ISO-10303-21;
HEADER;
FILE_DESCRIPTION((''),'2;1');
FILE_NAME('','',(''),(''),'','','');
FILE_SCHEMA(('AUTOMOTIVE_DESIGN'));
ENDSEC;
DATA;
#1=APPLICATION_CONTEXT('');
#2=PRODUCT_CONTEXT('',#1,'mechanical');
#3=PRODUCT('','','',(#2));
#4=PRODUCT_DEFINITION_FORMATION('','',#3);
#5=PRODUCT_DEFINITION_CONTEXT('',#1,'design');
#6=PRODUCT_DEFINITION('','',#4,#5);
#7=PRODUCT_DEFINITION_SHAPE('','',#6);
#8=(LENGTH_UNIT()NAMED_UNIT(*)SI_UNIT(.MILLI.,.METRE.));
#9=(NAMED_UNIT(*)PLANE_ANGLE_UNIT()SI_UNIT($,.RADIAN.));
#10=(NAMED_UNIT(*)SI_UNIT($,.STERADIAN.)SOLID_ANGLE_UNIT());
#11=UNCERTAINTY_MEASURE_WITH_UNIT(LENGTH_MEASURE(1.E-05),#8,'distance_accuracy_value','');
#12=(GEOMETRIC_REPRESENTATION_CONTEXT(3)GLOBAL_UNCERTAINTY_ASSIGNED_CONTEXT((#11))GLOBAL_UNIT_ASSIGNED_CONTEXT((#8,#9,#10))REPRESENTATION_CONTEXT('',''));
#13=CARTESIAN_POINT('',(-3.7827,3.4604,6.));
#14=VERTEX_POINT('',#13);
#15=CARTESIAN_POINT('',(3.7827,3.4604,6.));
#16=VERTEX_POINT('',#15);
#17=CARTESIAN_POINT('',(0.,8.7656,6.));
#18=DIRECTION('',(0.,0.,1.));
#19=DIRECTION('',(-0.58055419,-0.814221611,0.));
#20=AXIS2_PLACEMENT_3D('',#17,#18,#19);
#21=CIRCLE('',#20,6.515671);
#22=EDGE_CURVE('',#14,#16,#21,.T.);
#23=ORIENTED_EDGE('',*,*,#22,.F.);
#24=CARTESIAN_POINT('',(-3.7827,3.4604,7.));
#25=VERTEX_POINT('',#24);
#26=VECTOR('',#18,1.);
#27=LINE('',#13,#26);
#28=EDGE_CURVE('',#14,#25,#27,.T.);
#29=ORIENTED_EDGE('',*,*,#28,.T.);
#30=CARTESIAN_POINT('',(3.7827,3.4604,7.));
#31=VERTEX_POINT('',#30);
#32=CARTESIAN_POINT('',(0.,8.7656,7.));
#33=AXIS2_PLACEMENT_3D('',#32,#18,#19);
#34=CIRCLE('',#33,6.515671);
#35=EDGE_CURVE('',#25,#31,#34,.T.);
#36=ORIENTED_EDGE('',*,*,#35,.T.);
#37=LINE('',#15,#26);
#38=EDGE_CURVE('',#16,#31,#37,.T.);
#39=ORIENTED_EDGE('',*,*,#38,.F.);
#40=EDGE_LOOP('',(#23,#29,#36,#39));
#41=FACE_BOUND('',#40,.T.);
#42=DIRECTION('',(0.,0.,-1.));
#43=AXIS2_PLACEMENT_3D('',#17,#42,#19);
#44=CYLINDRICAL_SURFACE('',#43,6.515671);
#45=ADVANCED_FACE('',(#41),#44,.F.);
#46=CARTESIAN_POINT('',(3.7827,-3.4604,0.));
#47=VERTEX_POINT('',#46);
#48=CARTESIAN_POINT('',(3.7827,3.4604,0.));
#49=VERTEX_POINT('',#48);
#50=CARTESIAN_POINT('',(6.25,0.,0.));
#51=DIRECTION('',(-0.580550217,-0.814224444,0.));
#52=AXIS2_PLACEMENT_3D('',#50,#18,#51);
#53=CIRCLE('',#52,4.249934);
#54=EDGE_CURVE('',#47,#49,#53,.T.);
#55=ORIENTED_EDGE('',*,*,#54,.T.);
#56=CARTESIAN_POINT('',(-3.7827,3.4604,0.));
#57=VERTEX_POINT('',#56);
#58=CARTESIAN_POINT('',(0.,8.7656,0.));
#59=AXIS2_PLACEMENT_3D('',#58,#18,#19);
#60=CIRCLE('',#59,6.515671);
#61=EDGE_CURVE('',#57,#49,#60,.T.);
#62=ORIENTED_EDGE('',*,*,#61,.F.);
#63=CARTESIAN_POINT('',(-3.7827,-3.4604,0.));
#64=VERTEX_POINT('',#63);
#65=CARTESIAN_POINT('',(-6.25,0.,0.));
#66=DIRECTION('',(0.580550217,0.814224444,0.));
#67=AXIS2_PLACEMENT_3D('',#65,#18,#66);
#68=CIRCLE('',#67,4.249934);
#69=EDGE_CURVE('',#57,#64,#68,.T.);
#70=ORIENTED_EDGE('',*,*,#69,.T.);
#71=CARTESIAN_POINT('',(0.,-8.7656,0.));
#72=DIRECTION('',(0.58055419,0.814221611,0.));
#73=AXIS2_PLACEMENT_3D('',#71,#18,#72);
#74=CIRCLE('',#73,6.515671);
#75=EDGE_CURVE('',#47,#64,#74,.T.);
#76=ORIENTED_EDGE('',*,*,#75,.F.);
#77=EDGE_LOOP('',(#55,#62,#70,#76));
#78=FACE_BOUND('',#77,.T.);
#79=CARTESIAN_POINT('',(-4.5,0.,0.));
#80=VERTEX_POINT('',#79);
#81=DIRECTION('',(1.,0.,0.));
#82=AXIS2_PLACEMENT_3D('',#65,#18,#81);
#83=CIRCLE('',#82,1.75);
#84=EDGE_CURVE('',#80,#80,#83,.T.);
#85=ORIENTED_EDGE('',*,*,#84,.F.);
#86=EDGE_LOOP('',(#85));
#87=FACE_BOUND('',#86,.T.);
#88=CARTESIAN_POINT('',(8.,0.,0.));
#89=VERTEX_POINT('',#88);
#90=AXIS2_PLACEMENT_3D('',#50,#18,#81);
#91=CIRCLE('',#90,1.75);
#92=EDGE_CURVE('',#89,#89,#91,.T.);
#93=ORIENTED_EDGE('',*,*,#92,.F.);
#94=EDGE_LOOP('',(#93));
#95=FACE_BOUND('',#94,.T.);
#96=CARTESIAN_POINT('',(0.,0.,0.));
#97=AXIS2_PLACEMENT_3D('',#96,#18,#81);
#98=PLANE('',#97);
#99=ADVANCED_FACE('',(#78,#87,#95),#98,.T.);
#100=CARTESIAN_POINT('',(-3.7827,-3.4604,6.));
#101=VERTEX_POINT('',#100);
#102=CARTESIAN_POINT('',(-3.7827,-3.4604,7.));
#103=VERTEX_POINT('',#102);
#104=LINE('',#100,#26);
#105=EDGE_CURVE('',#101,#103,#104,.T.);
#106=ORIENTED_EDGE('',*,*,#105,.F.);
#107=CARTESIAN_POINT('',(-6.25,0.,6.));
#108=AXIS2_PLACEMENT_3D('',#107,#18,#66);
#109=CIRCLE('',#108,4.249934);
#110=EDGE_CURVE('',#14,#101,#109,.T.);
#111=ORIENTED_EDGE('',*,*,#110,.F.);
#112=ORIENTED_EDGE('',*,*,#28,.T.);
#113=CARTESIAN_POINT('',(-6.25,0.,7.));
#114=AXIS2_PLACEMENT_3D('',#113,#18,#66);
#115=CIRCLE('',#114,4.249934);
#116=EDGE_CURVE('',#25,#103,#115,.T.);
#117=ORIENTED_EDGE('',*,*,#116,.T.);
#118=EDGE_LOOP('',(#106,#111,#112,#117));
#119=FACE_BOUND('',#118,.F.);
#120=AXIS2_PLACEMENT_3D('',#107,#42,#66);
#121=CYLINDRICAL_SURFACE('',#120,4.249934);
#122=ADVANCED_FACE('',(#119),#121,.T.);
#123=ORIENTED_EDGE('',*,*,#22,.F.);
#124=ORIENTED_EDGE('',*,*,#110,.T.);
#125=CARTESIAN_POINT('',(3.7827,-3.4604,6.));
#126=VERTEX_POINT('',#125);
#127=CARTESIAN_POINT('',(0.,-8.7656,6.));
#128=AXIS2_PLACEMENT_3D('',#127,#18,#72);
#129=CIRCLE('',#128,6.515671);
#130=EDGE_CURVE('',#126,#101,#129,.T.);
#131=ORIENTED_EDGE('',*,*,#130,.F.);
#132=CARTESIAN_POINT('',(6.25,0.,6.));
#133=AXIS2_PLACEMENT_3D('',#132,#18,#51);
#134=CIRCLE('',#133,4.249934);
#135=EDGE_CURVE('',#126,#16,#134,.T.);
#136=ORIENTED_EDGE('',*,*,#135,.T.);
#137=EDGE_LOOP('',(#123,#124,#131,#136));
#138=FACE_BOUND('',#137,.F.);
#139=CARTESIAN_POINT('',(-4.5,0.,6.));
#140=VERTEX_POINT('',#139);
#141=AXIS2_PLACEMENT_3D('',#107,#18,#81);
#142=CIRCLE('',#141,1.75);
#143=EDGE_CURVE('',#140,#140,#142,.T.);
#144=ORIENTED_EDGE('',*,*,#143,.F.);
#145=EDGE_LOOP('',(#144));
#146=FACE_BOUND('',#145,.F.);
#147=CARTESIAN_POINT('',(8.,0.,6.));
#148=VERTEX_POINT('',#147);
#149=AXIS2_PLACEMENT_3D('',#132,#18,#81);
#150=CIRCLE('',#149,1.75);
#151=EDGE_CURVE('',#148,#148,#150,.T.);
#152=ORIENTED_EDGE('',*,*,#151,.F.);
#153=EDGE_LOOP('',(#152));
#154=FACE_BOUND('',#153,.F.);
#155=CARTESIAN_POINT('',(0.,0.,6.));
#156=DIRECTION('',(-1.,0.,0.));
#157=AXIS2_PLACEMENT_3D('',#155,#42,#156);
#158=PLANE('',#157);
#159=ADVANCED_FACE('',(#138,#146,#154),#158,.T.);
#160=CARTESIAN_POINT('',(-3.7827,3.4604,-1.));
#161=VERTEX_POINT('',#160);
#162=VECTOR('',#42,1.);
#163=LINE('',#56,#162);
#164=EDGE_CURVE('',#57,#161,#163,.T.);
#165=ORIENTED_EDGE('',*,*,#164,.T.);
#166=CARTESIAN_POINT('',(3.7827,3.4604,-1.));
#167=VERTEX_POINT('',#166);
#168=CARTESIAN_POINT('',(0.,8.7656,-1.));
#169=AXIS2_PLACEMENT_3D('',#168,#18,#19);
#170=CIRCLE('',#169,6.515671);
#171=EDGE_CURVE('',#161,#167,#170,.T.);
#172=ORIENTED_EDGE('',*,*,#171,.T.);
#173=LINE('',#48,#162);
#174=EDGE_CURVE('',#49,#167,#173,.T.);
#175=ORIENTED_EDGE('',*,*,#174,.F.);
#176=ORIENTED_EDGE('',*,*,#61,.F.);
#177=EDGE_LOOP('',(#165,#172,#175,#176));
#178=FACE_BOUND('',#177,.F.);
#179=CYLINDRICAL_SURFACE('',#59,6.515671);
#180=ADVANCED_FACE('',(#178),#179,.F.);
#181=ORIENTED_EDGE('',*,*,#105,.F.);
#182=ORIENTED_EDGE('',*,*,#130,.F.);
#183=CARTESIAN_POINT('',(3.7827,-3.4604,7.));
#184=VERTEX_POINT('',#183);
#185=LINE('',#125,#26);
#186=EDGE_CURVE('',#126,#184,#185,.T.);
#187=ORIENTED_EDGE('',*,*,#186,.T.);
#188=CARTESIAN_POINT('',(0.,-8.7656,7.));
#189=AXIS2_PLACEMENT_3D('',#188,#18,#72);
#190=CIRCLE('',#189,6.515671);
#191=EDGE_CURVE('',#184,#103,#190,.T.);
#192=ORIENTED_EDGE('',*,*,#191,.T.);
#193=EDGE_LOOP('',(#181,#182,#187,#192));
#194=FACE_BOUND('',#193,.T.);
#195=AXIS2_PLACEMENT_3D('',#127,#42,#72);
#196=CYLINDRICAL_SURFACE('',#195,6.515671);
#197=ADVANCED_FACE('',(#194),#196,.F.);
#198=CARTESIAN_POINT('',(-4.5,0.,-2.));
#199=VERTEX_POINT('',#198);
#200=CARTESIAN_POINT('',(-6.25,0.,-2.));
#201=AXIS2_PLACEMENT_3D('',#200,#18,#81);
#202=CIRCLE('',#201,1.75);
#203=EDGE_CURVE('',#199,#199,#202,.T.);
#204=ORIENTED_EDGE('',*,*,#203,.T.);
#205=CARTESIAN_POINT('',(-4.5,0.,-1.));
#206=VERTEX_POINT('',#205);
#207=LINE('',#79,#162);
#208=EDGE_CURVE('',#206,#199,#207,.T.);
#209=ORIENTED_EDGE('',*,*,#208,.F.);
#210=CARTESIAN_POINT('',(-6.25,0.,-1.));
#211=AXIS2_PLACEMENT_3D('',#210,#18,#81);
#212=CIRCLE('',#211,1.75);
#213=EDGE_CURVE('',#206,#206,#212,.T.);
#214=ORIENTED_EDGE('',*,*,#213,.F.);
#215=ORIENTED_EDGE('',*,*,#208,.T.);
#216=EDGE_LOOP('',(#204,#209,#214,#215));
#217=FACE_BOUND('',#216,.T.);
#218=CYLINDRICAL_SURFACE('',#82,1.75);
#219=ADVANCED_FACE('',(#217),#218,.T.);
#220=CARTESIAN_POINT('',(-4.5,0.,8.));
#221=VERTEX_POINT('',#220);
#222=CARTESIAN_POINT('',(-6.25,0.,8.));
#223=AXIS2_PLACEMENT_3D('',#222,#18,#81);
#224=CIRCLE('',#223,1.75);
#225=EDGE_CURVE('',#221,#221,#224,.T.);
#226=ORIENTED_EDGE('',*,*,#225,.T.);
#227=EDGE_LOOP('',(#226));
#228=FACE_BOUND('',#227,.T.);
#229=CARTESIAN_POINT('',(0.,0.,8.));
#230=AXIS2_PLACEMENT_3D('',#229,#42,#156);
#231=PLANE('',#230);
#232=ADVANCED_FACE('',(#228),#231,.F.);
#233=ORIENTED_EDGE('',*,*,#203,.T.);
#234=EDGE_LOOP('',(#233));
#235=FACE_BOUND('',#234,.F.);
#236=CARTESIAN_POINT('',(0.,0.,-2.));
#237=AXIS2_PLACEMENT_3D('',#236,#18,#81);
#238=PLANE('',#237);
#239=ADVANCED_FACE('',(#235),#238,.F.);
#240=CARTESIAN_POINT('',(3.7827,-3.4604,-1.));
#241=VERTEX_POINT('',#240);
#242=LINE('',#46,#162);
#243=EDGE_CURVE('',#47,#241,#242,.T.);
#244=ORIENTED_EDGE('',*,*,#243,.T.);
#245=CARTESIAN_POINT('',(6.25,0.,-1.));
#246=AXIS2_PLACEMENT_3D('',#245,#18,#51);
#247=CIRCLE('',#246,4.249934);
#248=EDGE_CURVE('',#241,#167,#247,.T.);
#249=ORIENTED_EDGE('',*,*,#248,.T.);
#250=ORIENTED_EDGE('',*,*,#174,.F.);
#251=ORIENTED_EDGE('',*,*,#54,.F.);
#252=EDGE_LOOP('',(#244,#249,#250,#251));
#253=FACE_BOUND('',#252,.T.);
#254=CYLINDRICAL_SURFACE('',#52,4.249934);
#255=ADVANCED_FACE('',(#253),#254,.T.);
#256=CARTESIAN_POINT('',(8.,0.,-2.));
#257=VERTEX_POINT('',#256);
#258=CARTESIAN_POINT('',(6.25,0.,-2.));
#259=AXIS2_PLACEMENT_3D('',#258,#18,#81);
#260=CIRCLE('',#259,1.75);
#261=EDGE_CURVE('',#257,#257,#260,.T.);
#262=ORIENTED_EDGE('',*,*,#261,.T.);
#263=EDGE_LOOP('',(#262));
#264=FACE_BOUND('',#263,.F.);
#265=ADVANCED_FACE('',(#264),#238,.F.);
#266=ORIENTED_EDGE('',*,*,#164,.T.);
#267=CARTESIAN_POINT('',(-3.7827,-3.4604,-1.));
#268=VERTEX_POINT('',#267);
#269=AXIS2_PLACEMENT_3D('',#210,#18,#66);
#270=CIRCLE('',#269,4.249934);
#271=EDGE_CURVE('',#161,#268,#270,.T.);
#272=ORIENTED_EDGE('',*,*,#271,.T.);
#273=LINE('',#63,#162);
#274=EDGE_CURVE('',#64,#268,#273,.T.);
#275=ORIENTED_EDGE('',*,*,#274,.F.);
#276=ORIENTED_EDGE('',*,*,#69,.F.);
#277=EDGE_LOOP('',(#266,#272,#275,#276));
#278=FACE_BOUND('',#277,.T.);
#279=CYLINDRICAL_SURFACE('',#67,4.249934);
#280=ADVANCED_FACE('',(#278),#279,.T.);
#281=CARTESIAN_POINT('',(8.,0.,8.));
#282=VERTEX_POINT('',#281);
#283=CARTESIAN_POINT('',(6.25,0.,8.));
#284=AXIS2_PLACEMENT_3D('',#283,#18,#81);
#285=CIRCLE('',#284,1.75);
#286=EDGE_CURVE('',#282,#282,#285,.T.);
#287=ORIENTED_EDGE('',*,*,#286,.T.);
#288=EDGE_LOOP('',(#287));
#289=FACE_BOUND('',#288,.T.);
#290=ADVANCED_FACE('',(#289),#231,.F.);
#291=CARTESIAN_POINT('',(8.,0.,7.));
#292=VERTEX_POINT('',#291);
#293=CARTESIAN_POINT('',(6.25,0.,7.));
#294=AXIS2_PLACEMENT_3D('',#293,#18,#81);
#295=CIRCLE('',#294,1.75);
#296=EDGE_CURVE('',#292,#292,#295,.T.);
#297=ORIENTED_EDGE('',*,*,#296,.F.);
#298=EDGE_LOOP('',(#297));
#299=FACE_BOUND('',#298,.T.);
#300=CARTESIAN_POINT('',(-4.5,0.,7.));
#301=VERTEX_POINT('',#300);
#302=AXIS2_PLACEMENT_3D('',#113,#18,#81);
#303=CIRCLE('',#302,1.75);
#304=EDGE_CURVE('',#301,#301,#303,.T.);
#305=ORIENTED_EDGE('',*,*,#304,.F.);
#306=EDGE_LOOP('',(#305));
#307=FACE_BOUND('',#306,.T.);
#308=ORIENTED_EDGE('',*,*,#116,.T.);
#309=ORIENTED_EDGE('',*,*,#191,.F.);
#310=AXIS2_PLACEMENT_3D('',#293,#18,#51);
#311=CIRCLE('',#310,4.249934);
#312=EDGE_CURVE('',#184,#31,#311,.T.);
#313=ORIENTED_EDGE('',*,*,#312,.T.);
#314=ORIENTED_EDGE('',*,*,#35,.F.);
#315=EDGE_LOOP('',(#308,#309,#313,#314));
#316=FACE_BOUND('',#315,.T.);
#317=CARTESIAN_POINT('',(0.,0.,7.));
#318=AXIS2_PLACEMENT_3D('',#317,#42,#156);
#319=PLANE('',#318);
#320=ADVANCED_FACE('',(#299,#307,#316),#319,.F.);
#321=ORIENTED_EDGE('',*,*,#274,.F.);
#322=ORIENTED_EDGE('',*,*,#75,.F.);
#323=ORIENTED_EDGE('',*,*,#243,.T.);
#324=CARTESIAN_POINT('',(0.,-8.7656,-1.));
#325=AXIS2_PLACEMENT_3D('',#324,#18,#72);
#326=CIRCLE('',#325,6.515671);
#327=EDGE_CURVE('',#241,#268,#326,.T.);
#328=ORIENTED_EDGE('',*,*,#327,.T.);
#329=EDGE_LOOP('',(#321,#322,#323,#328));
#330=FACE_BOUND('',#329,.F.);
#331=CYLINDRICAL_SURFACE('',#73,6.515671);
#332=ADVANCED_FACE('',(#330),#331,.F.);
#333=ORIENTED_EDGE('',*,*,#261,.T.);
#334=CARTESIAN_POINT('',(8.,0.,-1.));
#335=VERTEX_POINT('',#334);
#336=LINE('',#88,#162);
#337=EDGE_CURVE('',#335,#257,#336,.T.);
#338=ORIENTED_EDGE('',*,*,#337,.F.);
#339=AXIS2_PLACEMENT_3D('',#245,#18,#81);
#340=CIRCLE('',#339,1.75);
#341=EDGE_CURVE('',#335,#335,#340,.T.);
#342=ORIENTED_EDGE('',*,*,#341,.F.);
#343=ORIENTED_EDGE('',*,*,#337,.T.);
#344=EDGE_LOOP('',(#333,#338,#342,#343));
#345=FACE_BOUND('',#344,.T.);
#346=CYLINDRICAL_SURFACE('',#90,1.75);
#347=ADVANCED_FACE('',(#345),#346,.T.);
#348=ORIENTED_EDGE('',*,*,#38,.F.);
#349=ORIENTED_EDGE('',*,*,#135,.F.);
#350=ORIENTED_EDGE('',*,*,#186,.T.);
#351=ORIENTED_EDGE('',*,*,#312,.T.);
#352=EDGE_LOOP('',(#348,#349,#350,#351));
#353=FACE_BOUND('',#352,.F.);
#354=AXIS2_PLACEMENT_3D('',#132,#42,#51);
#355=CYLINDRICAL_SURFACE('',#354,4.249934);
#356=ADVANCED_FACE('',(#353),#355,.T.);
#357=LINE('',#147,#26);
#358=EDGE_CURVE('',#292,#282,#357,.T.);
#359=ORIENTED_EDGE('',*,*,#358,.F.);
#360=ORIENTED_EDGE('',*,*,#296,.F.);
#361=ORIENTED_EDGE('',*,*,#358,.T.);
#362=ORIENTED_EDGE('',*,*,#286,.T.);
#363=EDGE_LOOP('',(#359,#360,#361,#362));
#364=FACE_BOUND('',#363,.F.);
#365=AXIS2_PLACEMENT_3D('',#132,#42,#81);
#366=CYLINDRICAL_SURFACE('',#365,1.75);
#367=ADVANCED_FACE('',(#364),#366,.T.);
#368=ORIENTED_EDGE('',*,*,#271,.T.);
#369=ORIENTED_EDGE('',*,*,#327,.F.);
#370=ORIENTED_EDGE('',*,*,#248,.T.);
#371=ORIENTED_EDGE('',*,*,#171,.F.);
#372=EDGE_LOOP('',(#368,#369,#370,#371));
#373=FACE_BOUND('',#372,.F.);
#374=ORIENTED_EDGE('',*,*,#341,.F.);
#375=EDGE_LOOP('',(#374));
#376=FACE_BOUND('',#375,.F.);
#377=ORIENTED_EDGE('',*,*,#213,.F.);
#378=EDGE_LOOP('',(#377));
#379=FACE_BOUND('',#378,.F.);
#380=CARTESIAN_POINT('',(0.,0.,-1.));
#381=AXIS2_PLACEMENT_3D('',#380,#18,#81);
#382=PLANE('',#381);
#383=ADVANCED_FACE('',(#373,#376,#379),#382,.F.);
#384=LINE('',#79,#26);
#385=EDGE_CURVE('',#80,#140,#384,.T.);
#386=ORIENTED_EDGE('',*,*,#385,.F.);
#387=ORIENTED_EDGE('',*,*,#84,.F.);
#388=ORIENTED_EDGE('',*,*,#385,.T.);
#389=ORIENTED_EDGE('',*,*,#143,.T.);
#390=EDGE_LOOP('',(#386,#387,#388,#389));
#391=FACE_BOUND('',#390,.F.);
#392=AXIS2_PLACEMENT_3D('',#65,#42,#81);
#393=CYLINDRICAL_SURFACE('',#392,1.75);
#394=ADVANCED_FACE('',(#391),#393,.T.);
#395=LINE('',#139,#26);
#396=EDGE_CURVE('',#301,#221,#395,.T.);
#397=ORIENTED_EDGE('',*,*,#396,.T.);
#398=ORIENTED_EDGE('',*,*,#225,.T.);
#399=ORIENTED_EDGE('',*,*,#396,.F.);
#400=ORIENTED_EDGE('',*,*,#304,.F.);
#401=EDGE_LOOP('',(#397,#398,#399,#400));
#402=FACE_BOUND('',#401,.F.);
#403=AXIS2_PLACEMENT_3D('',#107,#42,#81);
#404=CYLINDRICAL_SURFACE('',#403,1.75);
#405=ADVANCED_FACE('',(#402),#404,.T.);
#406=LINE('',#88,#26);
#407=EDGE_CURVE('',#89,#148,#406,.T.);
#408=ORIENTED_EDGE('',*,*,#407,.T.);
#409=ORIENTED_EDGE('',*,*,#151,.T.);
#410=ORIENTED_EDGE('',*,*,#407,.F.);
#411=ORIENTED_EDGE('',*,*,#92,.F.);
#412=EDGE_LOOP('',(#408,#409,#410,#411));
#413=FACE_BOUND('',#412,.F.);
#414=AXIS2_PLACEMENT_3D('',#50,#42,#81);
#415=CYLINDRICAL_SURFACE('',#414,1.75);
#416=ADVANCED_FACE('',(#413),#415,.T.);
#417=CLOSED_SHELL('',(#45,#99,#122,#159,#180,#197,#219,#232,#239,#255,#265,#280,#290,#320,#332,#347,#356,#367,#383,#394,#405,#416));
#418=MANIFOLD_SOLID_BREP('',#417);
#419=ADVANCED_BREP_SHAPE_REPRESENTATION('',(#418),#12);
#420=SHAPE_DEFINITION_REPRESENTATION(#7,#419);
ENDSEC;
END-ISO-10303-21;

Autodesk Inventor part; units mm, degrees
ref_plane "YZ Plane" through (0, 0, 0) normal (1, 0, 0) x (0, 1, 0)
sketch "Sketch1" plane through (0, 0, 0) normal (0, 0, 1) x (1, 0, 0)
  arc A0 (-3.7827, 3.4604) -> (-3.7827, -3.4604) centre (-6.25, 0) ccw
  arc A1 (-3.7827, 3.4604) -> (3.7827, 3.4604) centre (0, 8.7656) ccw
  arc A2 (3.7827, -3.4604) -> (-3.7827, -3.4604) centre (0, -8.7656) ccw
  arc A3 (3.7827, -3.4604) -> (3.7827, 3.4604) centre (6.25, 0) ccw
  line L0 (0, 0) -> (0, 4.5286) construction
  circle A4 centre (-6.25, 0) radius 1.75
  circle A5 centre (6.25, 0) radius 1.75
  point P0 (0, 2.25)
  point P1 (0, -2.25)
  dimension "d0" = 4.5
  dimension "d2" = 8.5
  dimension "d4" = 8.5
  dimension "d5" = 12.5
  dimension "d6" = 3.5
  dimension "d7" = 3.5
extrude "Extrusion1" add sketch "Sketch1" against normal blind 1
extrude "Extrusion2" add sketch "Sketch1" against normal blind 2 contours A4 | A5
extrude "Extrusion3" add sketch "Sketch1" along normal blind 6 contours A4 | A5
ref_plane "Work Plane1" through (0, 0, 3) normal (0, 0, 1) x (1, 0, 0)
mirror "Mirror1" about plane through (0, 0, 3) normal (0, 0, 1) of "Extrusion1", "Extrusion2"
ref_plane "Work Plane2" through (0, -8.7656, 3) normal (0, 0, 1) x (1, 0, 0)
equation "\"d4\" = d2"
equation "\"d7\" = d6"
properties part number "Outer Chain"
